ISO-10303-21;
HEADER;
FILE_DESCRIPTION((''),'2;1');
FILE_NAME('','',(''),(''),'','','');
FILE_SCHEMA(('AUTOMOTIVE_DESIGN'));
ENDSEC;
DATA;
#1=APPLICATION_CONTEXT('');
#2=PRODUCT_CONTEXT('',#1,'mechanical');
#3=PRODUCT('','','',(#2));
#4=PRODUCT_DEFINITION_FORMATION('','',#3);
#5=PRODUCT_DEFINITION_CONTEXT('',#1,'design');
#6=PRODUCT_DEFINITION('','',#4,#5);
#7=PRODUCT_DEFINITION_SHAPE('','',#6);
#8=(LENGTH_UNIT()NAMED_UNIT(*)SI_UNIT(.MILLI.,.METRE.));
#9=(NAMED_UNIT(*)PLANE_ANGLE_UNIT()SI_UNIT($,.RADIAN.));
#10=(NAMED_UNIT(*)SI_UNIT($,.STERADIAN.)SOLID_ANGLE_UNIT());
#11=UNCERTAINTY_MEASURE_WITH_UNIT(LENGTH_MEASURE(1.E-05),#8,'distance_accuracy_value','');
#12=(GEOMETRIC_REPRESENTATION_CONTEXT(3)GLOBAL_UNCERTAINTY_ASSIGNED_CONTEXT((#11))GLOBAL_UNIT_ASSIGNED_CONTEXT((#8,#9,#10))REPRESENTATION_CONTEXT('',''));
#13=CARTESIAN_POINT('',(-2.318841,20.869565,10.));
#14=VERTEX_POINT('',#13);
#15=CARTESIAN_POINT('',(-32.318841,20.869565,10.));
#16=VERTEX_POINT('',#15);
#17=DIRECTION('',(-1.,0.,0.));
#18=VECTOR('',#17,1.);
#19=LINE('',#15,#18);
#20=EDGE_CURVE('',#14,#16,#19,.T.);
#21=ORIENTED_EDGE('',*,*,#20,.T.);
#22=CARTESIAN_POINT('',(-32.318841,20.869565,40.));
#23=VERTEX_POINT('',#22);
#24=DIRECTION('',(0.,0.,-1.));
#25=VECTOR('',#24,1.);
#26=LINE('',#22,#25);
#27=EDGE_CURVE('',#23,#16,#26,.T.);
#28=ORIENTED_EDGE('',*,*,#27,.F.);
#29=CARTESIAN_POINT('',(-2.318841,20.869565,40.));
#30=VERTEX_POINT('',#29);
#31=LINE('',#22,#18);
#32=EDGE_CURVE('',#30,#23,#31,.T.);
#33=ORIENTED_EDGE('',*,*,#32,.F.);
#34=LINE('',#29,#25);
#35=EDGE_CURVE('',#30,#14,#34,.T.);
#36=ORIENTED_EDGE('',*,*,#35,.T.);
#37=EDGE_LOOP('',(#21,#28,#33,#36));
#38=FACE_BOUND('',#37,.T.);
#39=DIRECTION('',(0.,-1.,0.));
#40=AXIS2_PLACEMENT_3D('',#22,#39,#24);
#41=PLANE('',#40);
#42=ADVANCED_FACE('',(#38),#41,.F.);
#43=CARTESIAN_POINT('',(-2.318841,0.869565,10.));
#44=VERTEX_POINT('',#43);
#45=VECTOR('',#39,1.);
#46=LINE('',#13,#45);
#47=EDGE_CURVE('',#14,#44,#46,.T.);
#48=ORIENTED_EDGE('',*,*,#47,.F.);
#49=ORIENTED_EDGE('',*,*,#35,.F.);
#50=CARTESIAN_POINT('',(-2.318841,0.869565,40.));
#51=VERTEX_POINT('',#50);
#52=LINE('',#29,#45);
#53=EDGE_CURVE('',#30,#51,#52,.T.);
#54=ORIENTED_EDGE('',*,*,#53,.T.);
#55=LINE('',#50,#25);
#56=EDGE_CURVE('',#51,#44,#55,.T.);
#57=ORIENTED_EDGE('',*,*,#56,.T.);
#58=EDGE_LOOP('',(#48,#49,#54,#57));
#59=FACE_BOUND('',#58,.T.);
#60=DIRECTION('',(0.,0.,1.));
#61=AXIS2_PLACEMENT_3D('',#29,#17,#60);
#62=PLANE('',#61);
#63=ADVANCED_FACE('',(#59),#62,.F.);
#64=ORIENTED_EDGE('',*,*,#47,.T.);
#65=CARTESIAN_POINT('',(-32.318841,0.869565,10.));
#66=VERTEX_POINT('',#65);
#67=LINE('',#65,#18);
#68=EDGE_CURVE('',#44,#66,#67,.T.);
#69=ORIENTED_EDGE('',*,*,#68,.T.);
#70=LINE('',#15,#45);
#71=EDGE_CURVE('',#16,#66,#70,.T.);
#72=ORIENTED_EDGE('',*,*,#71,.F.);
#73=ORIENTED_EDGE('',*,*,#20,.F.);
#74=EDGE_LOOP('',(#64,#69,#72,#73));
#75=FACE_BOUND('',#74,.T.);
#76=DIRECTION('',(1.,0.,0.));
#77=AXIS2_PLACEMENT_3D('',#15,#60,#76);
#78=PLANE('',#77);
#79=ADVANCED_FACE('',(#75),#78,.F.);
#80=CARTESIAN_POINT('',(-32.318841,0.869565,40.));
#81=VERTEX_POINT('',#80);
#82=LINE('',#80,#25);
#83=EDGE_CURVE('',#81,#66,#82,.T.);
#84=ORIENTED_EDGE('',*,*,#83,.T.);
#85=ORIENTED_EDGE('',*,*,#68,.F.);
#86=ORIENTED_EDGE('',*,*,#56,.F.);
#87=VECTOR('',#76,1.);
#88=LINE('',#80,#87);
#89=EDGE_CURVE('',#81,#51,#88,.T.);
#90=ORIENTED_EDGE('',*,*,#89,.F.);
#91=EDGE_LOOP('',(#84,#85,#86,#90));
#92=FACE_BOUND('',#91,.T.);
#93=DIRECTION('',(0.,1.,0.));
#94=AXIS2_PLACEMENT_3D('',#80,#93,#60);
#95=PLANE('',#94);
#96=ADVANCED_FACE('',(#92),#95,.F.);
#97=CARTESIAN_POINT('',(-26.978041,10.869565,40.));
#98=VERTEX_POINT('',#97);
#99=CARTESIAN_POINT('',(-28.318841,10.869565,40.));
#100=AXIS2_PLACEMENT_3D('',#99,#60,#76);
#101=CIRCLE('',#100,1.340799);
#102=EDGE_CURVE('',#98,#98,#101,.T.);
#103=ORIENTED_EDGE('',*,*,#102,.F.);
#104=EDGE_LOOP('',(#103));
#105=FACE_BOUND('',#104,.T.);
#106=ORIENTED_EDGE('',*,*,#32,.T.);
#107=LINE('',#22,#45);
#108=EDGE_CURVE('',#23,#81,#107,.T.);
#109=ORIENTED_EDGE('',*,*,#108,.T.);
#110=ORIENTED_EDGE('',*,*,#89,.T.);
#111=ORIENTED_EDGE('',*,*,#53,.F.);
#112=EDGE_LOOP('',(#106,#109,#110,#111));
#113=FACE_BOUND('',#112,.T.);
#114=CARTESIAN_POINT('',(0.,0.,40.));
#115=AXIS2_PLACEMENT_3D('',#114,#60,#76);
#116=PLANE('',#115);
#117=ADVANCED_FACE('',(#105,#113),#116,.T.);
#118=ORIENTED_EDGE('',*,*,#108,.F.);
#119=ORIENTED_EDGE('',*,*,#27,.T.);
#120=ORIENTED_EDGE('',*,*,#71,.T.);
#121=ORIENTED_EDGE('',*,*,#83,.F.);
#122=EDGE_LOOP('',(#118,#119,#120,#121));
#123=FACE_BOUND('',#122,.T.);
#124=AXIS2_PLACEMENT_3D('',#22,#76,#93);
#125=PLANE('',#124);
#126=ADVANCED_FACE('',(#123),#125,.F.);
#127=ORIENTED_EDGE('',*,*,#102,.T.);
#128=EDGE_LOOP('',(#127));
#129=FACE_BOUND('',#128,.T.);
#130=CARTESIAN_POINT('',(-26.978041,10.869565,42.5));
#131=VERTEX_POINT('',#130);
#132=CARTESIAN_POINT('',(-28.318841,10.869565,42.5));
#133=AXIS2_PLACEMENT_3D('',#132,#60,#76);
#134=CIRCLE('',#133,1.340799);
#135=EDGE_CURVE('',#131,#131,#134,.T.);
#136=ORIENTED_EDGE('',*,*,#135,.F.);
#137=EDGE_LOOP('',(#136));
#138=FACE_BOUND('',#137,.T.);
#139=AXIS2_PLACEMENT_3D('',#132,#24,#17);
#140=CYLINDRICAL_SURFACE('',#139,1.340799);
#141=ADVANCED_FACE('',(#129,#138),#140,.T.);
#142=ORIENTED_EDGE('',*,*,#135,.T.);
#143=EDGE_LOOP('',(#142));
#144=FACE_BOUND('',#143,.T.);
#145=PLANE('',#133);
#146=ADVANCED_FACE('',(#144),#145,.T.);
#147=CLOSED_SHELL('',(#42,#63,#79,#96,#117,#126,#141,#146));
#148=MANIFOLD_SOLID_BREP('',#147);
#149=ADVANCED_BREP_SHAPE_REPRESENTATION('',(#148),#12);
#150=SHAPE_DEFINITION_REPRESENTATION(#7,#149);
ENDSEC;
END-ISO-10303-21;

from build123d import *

# Parameters (mm, degrees)
SKETCH1_W           = 40
SKETCH1_H           = 20
BOSS_EXTRUDE1_DEPTH = 40
SKETCH2_R           = 1.340799443
BOSS_EXTRUDE2_DEPTH = 2.5
SKETCH3_W           = 40
SKETCH3_H           = 10
CUT_EXTRUDE1_DEPTH  = 20
SKETCH5_W           = 10
SKETCH5_H           = 30
CUT_EXTRUDE4_DEPTH  = 20


with BuildPart() as part:
    # Sketch1 → Boss-Extrude1 (new body)
    with BuildSketch(Plane.XY):
        with Locations((-12.31884058, 10.869565217)):
            Rectangle(SKETCH1_W, SKETCH1_H)
    extrude(amount=BOSS_EXTRUDE1_DEPTH)

    # Sketch2 → Boss-Extrude2 (add)
    with BuildSketch(Plane.XY.offset(40)):
        with Locations((-28.31884058, 10.869565217)):
            Circle(SKETCH2_R)
    extrude(amount=BOSS_EXTRUDE2_DEPTH)

    # Sketch3 → Cut-Extrude1 (cut)
    with BuildSketch(Plane.XZ.offset(-0.869565217)):
        with Locations((-12.31884058, 5)):
            Rectangle(SKETCH3_W, SKETCH3_H)
    extrude(amount=-CUT_EXTRUDE1_DEPTH, mode=Mode.SUBTRACT)

    # Sketch5 → Cut-Extrude4 (cut)
    with BuildSketch(Plane.XZ.offset(-0.869565217)):
        with Locations((2.68115942, 25)):
            Rectangle(SKETCH5_W, SKETCH5_H)
    extrude(amount=-CUT_EXTRUDE4_DEPTH, mode=Mode.SUBTRACT)


solid = part.part
